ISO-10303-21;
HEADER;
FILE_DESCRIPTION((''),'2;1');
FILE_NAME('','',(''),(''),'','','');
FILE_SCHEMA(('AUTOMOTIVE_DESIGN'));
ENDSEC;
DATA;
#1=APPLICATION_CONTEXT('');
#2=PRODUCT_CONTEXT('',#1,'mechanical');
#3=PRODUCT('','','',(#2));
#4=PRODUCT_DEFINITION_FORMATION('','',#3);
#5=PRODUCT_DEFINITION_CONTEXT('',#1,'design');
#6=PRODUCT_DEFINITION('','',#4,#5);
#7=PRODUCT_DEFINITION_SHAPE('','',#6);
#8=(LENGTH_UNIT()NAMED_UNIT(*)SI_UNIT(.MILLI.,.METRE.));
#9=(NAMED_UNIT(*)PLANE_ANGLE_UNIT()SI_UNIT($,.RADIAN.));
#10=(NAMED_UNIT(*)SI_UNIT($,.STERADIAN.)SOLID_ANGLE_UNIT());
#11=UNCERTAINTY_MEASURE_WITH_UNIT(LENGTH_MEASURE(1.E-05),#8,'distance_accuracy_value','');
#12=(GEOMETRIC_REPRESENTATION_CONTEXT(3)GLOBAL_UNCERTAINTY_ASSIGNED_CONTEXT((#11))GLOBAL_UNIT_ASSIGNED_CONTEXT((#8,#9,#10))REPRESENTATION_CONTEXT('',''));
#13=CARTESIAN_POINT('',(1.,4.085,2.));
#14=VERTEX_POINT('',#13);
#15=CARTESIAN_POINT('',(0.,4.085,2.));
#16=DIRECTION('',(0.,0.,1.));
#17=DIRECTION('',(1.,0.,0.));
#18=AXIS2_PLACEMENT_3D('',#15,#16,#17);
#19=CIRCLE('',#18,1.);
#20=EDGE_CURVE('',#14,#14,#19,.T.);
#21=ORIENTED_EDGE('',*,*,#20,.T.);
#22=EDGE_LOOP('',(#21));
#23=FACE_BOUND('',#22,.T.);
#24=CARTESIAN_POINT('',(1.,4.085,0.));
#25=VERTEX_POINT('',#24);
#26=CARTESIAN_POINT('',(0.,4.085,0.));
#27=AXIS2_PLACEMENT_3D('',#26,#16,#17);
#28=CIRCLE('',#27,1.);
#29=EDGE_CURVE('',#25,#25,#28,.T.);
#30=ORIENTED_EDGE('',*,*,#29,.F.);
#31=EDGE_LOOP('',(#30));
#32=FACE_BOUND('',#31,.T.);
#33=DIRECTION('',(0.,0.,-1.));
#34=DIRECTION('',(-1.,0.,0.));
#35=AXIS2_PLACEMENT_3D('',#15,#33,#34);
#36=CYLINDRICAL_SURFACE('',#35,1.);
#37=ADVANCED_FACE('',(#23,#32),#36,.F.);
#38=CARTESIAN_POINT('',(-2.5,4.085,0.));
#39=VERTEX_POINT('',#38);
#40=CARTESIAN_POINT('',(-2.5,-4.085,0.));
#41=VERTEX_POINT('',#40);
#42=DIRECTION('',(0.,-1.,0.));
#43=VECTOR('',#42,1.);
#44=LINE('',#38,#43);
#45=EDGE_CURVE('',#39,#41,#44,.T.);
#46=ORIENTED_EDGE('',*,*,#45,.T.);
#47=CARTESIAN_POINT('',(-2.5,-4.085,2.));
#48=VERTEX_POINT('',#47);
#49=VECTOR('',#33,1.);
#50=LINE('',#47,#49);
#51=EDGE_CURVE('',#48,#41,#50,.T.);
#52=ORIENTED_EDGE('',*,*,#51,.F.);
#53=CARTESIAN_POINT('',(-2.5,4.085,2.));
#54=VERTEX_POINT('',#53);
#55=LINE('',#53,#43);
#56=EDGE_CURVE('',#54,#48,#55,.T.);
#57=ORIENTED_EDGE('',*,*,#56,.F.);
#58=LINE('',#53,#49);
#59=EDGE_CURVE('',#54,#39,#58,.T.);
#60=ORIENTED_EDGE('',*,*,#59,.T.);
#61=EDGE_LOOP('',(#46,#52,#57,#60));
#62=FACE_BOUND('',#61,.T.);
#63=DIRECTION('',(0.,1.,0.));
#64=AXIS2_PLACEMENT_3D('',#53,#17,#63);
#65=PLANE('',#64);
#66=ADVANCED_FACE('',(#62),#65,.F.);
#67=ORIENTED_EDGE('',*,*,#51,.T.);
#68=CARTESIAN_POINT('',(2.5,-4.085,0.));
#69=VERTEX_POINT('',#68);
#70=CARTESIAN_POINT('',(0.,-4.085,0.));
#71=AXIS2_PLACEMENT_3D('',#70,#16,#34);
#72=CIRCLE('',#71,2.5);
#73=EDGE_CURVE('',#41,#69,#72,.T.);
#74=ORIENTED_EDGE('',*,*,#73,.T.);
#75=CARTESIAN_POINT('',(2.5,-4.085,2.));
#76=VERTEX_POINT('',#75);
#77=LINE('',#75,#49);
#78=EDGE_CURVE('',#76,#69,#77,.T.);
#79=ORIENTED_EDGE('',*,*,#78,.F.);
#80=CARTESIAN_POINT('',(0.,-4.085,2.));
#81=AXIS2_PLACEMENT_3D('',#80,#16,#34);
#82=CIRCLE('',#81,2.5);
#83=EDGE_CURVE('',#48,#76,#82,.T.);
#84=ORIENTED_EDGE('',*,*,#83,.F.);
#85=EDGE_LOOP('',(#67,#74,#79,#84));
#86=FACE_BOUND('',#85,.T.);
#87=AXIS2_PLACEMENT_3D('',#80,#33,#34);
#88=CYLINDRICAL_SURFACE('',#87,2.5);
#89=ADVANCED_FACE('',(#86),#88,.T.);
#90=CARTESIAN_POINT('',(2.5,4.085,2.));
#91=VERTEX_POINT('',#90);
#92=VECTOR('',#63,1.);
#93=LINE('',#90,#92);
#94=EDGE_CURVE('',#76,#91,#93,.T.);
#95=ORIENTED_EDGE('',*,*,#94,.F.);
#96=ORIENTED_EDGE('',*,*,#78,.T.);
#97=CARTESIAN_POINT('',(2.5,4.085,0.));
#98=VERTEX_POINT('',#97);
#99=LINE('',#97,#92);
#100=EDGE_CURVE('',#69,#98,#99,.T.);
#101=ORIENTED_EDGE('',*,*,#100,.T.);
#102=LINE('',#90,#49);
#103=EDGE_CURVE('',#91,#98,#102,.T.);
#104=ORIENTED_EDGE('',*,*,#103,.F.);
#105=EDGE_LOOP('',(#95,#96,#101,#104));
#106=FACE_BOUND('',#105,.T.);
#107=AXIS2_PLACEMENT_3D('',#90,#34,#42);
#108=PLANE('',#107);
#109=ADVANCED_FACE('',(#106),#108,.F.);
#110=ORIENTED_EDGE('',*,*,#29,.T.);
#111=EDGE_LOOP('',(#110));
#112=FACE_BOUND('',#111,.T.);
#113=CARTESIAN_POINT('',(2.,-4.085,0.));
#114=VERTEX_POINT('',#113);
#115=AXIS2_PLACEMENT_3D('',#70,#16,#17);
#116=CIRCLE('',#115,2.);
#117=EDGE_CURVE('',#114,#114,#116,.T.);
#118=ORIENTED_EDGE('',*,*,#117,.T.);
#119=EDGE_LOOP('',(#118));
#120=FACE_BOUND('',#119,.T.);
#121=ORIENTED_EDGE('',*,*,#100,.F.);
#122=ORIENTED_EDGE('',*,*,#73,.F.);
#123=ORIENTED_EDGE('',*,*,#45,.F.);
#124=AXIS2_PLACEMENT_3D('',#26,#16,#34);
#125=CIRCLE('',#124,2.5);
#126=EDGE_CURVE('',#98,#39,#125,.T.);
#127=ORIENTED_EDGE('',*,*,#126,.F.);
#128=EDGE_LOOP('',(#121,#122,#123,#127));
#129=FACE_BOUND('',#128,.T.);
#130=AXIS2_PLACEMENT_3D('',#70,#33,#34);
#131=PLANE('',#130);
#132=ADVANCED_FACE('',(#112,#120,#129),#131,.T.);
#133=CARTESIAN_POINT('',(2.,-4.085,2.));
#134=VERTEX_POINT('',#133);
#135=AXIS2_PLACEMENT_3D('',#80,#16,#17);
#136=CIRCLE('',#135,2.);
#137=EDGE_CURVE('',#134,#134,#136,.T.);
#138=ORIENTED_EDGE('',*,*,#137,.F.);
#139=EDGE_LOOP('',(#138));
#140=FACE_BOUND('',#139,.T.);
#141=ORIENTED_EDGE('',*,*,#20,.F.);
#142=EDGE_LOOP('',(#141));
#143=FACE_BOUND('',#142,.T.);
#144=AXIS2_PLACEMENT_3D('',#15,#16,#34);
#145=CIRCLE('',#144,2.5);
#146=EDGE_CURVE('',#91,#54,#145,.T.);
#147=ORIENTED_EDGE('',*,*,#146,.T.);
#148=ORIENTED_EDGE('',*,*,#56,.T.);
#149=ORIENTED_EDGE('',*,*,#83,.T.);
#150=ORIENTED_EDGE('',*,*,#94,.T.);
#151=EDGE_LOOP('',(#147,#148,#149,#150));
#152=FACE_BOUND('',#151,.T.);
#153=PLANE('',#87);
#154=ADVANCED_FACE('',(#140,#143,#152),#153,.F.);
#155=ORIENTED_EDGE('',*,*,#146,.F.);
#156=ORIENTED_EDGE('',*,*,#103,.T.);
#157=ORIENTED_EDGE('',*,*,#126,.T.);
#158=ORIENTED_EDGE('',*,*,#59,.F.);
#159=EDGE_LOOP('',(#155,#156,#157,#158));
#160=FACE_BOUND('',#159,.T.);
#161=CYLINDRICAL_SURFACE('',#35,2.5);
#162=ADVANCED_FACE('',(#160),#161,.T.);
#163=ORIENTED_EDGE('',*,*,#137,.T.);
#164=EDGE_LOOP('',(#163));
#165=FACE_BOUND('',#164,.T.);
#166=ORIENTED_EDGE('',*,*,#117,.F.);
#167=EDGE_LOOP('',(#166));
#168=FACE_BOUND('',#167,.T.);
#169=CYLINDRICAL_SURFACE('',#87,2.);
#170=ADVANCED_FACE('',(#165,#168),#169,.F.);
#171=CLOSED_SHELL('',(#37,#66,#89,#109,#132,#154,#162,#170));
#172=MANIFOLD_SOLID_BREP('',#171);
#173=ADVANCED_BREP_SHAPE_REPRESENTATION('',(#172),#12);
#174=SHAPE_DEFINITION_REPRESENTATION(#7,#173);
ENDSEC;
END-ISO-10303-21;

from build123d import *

# Parameters (mm, degrees)
SKETCH_1_R      = 1
SKETCH_1_R_2    = 2
EXTRUDE_1_DEPTH = 2


with BuildPart() as part:
    # 스케치1 → 보스-돌출1 (new body)
    with BuildSketch(Plane.XY):
        with BuildLine():
            Line((-2.5, 4.085), (-2.5, -4.085))
            ThreePointArc((-2.5, -4.085), (0, -6.585), (2.5, -4.085))
            Line((2.5, -4.085), (2.5, 4.085))
            ThreePointArc((2.5, 4.085), (0, 6.585), (-2.5, 4.085))
        make_face()
        with Locations((0, 4.085)):
            Circle(SKETCH_1_R, mode=Mode.SUBTRACT)
        with Locations((0, -4.085)):
            Circle(SKETCH_1_R_2, mode=Mode.SUBTRACT)
    extrude(amount=EXTRUDE_1_DEPTH)


solid = part.part
